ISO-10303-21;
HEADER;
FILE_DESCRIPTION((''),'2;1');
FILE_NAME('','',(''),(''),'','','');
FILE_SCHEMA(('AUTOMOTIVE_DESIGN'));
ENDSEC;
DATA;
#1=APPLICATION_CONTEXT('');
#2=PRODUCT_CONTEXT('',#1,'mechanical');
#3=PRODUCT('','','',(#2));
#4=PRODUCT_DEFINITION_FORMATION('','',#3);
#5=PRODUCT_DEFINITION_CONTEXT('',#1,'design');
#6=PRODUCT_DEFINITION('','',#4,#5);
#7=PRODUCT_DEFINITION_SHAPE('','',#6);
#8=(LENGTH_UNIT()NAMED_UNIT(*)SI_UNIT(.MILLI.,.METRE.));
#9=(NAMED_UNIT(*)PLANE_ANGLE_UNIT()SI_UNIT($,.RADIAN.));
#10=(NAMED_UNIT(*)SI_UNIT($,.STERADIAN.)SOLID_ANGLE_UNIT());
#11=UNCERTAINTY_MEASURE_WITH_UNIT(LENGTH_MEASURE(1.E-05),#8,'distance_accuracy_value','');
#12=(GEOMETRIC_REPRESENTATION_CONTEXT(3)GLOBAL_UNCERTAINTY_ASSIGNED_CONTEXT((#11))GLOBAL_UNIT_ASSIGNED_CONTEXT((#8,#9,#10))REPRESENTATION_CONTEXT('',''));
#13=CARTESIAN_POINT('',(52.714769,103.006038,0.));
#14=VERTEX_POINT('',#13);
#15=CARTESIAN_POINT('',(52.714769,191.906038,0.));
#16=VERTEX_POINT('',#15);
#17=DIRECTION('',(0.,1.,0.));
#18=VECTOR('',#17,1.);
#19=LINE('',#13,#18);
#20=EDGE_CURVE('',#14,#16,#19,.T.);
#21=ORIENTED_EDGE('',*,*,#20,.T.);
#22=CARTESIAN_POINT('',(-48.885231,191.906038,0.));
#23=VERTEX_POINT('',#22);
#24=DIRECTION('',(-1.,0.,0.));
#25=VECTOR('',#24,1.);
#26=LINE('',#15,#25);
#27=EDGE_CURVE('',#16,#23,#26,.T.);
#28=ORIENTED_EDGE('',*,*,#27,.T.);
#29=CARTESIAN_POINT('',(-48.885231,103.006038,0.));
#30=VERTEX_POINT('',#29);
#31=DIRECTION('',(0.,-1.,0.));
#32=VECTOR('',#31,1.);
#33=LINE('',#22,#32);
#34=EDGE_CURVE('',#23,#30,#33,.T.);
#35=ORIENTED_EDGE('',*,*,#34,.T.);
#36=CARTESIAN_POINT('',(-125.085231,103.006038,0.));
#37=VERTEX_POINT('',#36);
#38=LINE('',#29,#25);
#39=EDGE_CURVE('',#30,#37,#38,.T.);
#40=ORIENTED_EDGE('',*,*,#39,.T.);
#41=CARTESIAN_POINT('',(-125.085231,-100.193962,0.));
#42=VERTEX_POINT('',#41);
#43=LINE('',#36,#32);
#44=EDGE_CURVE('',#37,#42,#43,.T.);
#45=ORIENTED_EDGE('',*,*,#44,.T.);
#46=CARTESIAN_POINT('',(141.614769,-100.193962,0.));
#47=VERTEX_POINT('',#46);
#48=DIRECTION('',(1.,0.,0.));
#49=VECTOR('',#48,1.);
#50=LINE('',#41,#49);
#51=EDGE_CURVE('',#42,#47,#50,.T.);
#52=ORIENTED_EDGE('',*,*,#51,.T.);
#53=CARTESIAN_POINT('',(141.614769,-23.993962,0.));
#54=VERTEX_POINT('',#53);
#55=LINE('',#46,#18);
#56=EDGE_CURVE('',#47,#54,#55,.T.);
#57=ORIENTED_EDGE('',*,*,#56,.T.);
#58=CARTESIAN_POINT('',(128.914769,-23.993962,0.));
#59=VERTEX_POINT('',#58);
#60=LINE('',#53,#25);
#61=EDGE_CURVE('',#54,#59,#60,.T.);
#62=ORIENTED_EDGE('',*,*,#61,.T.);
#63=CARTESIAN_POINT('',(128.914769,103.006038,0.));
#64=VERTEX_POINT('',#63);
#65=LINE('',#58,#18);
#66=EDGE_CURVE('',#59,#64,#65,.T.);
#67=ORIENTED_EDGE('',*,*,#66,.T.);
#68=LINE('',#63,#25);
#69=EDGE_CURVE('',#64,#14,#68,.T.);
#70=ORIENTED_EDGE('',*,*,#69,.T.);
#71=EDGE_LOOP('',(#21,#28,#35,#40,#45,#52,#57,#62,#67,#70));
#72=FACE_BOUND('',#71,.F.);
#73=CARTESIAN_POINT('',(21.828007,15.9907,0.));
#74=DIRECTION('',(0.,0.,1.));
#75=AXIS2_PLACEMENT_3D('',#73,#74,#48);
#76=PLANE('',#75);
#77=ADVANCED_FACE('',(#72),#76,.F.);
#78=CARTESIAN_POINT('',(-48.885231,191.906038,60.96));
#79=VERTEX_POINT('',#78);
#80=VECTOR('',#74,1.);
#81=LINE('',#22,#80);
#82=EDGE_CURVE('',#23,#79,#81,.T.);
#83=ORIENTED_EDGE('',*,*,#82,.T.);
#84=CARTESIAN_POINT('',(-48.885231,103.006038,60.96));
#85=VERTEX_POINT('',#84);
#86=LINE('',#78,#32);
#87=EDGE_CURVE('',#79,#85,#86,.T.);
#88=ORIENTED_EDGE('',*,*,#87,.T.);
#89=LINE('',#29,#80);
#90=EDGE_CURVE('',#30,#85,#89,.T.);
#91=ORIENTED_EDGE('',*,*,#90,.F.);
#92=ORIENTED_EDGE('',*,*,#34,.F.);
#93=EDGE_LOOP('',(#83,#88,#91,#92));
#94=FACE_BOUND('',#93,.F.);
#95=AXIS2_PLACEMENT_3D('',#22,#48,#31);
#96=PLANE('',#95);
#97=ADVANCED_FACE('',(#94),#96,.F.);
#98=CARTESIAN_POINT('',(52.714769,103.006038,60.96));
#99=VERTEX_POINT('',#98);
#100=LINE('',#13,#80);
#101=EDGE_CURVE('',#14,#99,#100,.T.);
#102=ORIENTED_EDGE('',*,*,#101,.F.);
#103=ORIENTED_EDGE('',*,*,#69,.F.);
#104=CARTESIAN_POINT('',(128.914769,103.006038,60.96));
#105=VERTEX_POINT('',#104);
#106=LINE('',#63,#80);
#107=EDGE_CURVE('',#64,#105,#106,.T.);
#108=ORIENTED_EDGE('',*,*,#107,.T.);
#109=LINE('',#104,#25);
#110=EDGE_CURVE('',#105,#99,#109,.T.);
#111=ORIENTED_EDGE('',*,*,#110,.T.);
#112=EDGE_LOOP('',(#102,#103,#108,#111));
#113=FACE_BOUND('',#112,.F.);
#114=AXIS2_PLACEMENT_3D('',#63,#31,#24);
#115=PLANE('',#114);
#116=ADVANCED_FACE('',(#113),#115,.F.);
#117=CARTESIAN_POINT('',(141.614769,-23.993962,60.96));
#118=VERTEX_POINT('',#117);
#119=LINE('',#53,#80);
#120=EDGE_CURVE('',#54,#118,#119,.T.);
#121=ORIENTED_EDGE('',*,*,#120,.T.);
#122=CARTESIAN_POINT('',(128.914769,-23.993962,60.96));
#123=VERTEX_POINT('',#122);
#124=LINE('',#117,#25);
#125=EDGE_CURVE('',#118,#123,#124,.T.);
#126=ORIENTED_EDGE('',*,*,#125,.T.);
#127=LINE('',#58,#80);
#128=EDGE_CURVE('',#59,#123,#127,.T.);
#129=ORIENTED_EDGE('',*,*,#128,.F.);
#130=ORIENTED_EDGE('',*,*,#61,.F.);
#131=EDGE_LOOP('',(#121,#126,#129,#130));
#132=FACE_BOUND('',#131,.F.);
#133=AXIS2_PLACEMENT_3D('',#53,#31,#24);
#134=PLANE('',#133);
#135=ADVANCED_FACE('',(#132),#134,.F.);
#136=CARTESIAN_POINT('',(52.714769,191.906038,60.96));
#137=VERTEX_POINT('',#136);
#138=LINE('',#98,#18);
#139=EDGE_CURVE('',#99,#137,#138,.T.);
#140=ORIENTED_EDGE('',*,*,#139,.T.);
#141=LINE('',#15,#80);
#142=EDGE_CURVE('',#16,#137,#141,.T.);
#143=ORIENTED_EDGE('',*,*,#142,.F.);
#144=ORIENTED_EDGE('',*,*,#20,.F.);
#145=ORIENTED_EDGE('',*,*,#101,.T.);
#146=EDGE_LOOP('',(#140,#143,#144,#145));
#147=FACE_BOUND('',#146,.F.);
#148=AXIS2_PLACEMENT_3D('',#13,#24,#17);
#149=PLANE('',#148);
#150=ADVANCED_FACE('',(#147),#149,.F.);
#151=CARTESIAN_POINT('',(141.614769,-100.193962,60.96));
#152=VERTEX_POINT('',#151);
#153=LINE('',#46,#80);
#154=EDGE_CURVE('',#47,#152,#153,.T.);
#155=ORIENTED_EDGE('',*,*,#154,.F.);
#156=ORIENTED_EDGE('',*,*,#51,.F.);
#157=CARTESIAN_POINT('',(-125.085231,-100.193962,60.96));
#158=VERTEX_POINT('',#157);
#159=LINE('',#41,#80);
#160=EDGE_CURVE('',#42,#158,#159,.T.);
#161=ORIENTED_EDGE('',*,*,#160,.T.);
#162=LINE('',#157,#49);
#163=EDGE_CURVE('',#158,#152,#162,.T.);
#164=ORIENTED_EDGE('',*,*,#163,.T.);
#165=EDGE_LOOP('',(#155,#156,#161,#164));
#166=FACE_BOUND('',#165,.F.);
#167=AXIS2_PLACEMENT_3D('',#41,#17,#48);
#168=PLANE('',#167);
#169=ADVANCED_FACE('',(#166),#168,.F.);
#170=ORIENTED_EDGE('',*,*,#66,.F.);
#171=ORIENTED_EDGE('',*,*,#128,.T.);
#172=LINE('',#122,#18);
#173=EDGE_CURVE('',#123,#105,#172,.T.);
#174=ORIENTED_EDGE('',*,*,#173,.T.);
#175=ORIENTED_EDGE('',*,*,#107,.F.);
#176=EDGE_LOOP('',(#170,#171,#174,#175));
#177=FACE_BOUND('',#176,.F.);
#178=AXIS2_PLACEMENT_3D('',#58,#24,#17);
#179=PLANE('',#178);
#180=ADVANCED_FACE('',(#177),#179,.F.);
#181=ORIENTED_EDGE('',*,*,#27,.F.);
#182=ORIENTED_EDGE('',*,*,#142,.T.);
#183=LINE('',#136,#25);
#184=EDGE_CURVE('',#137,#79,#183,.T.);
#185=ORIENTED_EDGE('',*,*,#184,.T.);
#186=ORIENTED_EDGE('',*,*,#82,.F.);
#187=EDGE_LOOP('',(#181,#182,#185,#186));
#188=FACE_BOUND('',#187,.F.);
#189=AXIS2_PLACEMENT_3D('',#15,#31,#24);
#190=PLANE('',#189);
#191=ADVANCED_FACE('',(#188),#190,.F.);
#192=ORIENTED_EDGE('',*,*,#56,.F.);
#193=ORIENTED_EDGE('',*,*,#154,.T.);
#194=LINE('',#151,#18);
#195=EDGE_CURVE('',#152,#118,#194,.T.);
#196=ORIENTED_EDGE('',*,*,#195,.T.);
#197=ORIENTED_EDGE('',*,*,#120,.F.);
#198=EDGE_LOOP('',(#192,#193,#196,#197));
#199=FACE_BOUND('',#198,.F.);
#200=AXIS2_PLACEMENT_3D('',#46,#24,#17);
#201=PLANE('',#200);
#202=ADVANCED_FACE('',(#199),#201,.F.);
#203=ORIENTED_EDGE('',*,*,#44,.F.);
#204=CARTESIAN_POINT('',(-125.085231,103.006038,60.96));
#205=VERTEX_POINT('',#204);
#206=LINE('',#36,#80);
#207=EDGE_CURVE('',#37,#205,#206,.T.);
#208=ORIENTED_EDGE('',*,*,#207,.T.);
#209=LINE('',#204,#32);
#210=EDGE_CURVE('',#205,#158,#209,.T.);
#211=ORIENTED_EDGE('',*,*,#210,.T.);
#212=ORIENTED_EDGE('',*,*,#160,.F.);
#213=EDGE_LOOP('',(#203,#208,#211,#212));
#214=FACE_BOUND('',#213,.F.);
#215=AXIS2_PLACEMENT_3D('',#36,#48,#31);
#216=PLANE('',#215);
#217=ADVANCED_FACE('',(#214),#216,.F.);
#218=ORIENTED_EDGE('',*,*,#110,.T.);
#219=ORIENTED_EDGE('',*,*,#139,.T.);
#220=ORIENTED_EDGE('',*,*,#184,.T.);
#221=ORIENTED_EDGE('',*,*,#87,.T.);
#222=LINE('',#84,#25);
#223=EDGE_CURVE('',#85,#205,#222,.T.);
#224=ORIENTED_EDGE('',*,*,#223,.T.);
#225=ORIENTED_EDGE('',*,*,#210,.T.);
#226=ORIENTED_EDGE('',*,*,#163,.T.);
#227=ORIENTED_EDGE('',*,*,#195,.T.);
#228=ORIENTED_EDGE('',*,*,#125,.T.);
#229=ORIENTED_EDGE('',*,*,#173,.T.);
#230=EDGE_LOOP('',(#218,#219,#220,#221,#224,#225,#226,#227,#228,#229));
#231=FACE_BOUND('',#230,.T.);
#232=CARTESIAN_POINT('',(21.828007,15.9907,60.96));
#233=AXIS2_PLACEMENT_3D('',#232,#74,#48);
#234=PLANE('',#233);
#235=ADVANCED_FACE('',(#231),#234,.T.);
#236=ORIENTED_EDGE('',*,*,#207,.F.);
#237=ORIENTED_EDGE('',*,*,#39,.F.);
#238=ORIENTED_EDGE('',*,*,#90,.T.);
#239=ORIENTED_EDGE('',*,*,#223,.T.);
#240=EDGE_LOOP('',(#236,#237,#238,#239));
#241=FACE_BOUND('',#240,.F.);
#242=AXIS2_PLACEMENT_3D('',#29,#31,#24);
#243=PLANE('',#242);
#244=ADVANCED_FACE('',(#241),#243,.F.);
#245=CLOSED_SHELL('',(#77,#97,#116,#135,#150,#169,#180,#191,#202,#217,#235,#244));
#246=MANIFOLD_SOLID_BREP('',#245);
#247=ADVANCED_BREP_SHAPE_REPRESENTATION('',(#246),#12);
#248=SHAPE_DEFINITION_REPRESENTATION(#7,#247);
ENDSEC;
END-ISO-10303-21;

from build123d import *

# Parameters (mm, degrees)
F0_W     = 7.62
F0_H     = 40.64
F0_W_2   = 63.5
F0_H_2   = 20.32
F0_W_3   = 50.8
F0_H_3   = 88.9
F1_DEPTH = 60.96


with BuildPart() as f1:
    # F0 (on Top) → F1 (new body)
    with BuildSketch(Plane.XY):
        Polygon((-125.085231, -23.993962), (-125.085231, -100.193962), (-23.485231, -100.193962), (-23.485231, -59.553962), (-15.865231, -59.553962), (-8.245231, -59.553962), (-0.625231, -59.553962), (6.994769, -59.553962), (14.614769, -59.553962), (22.234769, -59.553962), (29.854769, -59.553962), (37.474769, -59.553962), (45.094769, -59.553962), (52.714769, -59.553962), (60.334769, -59.553962), (67.954769, -59.553962), (67.954769, -100.193962), (128.914769, -100.193962), (141.614769, -100.193962), (141.614769, -23.993962), (128.914769, -23.993962), (65.414769, -23.993962), (65.414769, -3.673962), (128.914769, -3.673962), (128.914769, 103.006038), (52.714769, 103.006038), (52.714769, 191.906038), (-48.885231, 191.906038), (-48.885231, 103.006038), (-48.885231, 64.906038), (1.914769, 64.906038), (1.914769, -23.993962), (-48.885231, -23.993962), align=None)
        with Locations((56.524769, -79.873962)):
            Rectangle(F0_W, F0_H)
        with Locations((48.904769, -79.873962)):
            Rectangle(F0_W, F0_H)
        with Locations((97.164769, -13.833962)):
            Rectangle(F0_W_2, F0_H_2)
        Polygon((-125.085231, 103.006038), (-125.085231, -23.993962), (-48.885231, -23.993962), (-48.885231, 64.906038), (-48.885231, 103.006038), align=None)
        with Locations((-19.675231, -79.873962)):
            Rectangle(F0_W, F0_H)
        with Locations((64.144769, -79.873962)):
            Rectangle(F0_W, F0_H)
        with Locations((-12.055231, -79.873962)):
            Rectangle(F0_W, F0_H)
        with Locations((-4.435231, -79.873962)):
            Rectangle(F0_W, F0_H)
        with Locations((3.184769, -79.873962)):
            Rectangle(F0_W, F0_H)
        with Locations((41.284769, -79.873962)):
            Rectangle(F0_W, F0_H)
        with Locations((33.664769, -79.873962)):
            Rectangle(F0_W, F0_H)
        with Locations((26.044769, -79.873962)):
            Rectangle(F0_W, F0_H)
        with Locations((10.804769, -79.873962)):
            Rectangle(F0_W, F0_H)
        with Locations((18.424769, -79.873962)):
            Rectangle(F0_W, F0_H)
        with Locations((-23.485231, 20.456038)):
            Rectangle(F0_W_3, F0_H_3)
    extrude(amount=F1_DEPTH)


solid = f1.part
